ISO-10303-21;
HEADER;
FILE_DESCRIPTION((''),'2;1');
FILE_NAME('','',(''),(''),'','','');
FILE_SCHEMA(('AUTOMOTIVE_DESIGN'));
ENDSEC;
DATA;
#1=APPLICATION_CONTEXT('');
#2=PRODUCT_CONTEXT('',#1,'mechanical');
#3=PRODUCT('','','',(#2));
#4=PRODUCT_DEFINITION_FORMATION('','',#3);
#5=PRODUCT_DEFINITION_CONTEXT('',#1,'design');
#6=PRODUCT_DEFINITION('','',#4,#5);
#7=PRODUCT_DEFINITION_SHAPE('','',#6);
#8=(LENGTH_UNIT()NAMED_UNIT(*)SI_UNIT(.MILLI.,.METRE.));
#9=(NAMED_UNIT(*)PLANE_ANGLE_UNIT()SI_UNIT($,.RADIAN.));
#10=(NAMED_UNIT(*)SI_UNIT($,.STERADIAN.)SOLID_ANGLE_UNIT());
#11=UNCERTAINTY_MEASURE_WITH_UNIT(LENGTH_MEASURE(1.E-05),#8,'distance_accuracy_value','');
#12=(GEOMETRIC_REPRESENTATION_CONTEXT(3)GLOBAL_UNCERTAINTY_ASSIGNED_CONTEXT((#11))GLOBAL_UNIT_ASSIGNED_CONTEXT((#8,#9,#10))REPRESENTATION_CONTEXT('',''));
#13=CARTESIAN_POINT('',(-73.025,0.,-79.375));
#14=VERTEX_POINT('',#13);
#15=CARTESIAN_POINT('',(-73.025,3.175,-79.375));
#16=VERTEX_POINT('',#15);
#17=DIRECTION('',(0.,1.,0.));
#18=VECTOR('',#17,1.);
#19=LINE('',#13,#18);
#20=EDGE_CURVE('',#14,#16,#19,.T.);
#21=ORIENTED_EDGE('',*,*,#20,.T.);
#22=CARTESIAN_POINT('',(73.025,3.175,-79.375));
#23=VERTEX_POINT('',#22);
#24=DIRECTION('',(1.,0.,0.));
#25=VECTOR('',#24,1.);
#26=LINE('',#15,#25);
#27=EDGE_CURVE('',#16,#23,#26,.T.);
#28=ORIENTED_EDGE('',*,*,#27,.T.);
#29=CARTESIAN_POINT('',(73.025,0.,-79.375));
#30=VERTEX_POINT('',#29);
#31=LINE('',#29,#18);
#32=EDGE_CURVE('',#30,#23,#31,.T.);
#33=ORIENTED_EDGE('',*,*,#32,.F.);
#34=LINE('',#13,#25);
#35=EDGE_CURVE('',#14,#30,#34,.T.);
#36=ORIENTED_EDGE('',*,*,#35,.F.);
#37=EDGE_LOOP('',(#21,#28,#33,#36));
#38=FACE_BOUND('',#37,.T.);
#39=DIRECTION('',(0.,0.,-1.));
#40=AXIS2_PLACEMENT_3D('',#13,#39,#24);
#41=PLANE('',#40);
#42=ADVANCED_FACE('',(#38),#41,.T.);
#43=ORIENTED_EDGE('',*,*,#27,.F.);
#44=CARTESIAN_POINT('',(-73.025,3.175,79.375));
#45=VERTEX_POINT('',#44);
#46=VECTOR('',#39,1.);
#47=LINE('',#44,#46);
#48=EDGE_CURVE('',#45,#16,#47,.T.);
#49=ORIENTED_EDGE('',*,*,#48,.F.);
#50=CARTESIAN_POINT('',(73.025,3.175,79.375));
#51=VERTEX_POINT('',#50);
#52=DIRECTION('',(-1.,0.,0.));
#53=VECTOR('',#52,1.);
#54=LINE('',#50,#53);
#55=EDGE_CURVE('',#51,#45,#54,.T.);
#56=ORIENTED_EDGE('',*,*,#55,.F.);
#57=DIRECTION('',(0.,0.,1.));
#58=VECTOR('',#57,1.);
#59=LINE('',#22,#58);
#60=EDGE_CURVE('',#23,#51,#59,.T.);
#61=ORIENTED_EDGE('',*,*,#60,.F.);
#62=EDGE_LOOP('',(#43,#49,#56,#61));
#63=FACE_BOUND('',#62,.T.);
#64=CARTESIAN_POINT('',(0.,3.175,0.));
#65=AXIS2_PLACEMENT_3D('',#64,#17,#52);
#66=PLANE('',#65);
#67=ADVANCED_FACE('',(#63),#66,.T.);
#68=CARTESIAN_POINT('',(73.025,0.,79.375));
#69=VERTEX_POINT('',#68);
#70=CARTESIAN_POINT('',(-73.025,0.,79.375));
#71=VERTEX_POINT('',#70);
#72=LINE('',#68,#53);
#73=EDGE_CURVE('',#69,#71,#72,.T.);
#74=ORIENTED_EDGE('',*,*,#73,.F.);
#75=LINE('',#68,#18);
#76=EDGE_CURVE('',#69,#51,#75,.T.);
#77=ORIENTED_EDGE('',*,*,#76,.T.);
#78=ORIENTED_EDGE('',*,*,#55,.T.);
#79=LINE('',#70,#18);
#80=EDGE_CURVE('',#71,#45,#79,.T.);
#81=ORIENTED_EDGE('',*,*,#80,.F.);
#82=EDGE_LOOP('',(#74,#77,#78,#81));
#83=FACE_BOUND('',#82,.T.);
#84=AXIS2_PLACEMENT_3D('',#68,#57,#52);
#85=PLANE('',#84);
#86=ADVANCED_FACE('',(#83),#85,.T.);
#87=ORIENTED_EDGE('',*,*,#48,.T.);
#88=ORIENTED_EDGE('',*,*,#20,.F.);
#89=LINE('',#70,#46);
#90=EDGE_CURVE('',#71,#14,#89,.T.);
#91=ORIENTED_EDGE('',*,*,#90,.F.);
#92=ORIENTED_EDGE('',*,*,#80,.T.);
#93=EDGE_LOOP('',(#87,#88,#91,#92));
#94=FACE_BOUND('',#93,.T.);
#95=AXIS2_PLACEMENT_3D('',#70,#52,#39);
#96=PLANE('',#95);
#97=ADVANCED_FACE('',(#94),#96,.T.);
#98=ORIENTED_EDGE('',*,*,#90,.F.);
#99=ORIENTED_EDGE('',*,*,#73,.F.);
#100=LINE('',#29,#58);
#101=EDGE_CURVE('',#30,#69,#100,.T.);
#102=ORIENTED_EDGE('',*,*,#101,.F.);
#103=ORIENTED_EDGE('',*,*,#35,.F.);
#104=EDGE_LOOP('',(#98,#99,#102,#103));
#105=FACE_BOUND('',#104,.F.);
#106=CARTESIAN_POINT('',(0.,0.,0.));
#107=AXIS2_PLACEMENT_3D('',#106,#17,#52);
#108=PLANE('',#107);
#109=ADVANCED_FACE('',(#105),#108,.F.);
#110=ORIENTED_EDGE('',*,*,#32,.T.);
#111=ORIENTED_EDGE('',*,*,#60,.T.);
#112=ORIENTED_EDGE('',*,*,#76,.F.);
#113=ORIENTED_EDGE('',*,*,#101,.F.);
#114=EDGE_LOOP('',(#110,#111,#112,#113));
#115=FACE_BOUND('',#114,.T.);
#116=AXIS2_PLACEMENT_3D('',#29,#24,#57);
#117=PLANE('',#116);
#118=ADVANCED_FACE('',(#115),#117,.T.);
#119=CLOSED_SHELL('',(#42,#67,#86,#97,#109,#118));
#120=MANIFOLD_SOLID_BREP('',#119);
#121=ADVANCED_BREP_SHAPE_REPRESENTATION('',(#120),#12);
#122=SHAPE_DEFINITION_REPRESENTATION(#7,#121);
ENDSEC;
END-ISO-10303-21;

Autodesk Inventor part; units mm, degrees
ref_plane "YZ Plane" through (0, 0, 0) normal (1, 0, 0) x (0, 1, 0)
ref_plane "XZ Plane" through (0, 0, 0) normal (0, 1, 0) x (-1, 0, 0)
ref_plane "XY Plane" through (0, 0, 0) normal (0, 0, 1) x (1, 0, 0)
sketch "Sketch1" plane through (0, 0, 0) normal (0, 1, 0) x (-1, 0, 0)
  line L0 (-73.025, 79.375) -> (73.025, 79.375)
  line L1 (73.025, 79.375) -> (73.025, -79.375)
  line L2 (73.025, -79.375) -> (-73.025, -79.375)
  line L3 (-73.025, -79.375) -> (-73.025, 79.375)
  line L4 (-73.025, 79.375) -> (73.025, -79.375) construction
  line L5 (73.025, 79.375) -> (-73.025, -79.375) construction
  point P0 (0, 0)
  dimension "d0" = 146.05
  dimension "d1" = 158.75
extrude "Extrusion1" add sketch "Sketch1" along normal blind 3.175
properties part number "Bottom Plate" material "UHMW, White"
